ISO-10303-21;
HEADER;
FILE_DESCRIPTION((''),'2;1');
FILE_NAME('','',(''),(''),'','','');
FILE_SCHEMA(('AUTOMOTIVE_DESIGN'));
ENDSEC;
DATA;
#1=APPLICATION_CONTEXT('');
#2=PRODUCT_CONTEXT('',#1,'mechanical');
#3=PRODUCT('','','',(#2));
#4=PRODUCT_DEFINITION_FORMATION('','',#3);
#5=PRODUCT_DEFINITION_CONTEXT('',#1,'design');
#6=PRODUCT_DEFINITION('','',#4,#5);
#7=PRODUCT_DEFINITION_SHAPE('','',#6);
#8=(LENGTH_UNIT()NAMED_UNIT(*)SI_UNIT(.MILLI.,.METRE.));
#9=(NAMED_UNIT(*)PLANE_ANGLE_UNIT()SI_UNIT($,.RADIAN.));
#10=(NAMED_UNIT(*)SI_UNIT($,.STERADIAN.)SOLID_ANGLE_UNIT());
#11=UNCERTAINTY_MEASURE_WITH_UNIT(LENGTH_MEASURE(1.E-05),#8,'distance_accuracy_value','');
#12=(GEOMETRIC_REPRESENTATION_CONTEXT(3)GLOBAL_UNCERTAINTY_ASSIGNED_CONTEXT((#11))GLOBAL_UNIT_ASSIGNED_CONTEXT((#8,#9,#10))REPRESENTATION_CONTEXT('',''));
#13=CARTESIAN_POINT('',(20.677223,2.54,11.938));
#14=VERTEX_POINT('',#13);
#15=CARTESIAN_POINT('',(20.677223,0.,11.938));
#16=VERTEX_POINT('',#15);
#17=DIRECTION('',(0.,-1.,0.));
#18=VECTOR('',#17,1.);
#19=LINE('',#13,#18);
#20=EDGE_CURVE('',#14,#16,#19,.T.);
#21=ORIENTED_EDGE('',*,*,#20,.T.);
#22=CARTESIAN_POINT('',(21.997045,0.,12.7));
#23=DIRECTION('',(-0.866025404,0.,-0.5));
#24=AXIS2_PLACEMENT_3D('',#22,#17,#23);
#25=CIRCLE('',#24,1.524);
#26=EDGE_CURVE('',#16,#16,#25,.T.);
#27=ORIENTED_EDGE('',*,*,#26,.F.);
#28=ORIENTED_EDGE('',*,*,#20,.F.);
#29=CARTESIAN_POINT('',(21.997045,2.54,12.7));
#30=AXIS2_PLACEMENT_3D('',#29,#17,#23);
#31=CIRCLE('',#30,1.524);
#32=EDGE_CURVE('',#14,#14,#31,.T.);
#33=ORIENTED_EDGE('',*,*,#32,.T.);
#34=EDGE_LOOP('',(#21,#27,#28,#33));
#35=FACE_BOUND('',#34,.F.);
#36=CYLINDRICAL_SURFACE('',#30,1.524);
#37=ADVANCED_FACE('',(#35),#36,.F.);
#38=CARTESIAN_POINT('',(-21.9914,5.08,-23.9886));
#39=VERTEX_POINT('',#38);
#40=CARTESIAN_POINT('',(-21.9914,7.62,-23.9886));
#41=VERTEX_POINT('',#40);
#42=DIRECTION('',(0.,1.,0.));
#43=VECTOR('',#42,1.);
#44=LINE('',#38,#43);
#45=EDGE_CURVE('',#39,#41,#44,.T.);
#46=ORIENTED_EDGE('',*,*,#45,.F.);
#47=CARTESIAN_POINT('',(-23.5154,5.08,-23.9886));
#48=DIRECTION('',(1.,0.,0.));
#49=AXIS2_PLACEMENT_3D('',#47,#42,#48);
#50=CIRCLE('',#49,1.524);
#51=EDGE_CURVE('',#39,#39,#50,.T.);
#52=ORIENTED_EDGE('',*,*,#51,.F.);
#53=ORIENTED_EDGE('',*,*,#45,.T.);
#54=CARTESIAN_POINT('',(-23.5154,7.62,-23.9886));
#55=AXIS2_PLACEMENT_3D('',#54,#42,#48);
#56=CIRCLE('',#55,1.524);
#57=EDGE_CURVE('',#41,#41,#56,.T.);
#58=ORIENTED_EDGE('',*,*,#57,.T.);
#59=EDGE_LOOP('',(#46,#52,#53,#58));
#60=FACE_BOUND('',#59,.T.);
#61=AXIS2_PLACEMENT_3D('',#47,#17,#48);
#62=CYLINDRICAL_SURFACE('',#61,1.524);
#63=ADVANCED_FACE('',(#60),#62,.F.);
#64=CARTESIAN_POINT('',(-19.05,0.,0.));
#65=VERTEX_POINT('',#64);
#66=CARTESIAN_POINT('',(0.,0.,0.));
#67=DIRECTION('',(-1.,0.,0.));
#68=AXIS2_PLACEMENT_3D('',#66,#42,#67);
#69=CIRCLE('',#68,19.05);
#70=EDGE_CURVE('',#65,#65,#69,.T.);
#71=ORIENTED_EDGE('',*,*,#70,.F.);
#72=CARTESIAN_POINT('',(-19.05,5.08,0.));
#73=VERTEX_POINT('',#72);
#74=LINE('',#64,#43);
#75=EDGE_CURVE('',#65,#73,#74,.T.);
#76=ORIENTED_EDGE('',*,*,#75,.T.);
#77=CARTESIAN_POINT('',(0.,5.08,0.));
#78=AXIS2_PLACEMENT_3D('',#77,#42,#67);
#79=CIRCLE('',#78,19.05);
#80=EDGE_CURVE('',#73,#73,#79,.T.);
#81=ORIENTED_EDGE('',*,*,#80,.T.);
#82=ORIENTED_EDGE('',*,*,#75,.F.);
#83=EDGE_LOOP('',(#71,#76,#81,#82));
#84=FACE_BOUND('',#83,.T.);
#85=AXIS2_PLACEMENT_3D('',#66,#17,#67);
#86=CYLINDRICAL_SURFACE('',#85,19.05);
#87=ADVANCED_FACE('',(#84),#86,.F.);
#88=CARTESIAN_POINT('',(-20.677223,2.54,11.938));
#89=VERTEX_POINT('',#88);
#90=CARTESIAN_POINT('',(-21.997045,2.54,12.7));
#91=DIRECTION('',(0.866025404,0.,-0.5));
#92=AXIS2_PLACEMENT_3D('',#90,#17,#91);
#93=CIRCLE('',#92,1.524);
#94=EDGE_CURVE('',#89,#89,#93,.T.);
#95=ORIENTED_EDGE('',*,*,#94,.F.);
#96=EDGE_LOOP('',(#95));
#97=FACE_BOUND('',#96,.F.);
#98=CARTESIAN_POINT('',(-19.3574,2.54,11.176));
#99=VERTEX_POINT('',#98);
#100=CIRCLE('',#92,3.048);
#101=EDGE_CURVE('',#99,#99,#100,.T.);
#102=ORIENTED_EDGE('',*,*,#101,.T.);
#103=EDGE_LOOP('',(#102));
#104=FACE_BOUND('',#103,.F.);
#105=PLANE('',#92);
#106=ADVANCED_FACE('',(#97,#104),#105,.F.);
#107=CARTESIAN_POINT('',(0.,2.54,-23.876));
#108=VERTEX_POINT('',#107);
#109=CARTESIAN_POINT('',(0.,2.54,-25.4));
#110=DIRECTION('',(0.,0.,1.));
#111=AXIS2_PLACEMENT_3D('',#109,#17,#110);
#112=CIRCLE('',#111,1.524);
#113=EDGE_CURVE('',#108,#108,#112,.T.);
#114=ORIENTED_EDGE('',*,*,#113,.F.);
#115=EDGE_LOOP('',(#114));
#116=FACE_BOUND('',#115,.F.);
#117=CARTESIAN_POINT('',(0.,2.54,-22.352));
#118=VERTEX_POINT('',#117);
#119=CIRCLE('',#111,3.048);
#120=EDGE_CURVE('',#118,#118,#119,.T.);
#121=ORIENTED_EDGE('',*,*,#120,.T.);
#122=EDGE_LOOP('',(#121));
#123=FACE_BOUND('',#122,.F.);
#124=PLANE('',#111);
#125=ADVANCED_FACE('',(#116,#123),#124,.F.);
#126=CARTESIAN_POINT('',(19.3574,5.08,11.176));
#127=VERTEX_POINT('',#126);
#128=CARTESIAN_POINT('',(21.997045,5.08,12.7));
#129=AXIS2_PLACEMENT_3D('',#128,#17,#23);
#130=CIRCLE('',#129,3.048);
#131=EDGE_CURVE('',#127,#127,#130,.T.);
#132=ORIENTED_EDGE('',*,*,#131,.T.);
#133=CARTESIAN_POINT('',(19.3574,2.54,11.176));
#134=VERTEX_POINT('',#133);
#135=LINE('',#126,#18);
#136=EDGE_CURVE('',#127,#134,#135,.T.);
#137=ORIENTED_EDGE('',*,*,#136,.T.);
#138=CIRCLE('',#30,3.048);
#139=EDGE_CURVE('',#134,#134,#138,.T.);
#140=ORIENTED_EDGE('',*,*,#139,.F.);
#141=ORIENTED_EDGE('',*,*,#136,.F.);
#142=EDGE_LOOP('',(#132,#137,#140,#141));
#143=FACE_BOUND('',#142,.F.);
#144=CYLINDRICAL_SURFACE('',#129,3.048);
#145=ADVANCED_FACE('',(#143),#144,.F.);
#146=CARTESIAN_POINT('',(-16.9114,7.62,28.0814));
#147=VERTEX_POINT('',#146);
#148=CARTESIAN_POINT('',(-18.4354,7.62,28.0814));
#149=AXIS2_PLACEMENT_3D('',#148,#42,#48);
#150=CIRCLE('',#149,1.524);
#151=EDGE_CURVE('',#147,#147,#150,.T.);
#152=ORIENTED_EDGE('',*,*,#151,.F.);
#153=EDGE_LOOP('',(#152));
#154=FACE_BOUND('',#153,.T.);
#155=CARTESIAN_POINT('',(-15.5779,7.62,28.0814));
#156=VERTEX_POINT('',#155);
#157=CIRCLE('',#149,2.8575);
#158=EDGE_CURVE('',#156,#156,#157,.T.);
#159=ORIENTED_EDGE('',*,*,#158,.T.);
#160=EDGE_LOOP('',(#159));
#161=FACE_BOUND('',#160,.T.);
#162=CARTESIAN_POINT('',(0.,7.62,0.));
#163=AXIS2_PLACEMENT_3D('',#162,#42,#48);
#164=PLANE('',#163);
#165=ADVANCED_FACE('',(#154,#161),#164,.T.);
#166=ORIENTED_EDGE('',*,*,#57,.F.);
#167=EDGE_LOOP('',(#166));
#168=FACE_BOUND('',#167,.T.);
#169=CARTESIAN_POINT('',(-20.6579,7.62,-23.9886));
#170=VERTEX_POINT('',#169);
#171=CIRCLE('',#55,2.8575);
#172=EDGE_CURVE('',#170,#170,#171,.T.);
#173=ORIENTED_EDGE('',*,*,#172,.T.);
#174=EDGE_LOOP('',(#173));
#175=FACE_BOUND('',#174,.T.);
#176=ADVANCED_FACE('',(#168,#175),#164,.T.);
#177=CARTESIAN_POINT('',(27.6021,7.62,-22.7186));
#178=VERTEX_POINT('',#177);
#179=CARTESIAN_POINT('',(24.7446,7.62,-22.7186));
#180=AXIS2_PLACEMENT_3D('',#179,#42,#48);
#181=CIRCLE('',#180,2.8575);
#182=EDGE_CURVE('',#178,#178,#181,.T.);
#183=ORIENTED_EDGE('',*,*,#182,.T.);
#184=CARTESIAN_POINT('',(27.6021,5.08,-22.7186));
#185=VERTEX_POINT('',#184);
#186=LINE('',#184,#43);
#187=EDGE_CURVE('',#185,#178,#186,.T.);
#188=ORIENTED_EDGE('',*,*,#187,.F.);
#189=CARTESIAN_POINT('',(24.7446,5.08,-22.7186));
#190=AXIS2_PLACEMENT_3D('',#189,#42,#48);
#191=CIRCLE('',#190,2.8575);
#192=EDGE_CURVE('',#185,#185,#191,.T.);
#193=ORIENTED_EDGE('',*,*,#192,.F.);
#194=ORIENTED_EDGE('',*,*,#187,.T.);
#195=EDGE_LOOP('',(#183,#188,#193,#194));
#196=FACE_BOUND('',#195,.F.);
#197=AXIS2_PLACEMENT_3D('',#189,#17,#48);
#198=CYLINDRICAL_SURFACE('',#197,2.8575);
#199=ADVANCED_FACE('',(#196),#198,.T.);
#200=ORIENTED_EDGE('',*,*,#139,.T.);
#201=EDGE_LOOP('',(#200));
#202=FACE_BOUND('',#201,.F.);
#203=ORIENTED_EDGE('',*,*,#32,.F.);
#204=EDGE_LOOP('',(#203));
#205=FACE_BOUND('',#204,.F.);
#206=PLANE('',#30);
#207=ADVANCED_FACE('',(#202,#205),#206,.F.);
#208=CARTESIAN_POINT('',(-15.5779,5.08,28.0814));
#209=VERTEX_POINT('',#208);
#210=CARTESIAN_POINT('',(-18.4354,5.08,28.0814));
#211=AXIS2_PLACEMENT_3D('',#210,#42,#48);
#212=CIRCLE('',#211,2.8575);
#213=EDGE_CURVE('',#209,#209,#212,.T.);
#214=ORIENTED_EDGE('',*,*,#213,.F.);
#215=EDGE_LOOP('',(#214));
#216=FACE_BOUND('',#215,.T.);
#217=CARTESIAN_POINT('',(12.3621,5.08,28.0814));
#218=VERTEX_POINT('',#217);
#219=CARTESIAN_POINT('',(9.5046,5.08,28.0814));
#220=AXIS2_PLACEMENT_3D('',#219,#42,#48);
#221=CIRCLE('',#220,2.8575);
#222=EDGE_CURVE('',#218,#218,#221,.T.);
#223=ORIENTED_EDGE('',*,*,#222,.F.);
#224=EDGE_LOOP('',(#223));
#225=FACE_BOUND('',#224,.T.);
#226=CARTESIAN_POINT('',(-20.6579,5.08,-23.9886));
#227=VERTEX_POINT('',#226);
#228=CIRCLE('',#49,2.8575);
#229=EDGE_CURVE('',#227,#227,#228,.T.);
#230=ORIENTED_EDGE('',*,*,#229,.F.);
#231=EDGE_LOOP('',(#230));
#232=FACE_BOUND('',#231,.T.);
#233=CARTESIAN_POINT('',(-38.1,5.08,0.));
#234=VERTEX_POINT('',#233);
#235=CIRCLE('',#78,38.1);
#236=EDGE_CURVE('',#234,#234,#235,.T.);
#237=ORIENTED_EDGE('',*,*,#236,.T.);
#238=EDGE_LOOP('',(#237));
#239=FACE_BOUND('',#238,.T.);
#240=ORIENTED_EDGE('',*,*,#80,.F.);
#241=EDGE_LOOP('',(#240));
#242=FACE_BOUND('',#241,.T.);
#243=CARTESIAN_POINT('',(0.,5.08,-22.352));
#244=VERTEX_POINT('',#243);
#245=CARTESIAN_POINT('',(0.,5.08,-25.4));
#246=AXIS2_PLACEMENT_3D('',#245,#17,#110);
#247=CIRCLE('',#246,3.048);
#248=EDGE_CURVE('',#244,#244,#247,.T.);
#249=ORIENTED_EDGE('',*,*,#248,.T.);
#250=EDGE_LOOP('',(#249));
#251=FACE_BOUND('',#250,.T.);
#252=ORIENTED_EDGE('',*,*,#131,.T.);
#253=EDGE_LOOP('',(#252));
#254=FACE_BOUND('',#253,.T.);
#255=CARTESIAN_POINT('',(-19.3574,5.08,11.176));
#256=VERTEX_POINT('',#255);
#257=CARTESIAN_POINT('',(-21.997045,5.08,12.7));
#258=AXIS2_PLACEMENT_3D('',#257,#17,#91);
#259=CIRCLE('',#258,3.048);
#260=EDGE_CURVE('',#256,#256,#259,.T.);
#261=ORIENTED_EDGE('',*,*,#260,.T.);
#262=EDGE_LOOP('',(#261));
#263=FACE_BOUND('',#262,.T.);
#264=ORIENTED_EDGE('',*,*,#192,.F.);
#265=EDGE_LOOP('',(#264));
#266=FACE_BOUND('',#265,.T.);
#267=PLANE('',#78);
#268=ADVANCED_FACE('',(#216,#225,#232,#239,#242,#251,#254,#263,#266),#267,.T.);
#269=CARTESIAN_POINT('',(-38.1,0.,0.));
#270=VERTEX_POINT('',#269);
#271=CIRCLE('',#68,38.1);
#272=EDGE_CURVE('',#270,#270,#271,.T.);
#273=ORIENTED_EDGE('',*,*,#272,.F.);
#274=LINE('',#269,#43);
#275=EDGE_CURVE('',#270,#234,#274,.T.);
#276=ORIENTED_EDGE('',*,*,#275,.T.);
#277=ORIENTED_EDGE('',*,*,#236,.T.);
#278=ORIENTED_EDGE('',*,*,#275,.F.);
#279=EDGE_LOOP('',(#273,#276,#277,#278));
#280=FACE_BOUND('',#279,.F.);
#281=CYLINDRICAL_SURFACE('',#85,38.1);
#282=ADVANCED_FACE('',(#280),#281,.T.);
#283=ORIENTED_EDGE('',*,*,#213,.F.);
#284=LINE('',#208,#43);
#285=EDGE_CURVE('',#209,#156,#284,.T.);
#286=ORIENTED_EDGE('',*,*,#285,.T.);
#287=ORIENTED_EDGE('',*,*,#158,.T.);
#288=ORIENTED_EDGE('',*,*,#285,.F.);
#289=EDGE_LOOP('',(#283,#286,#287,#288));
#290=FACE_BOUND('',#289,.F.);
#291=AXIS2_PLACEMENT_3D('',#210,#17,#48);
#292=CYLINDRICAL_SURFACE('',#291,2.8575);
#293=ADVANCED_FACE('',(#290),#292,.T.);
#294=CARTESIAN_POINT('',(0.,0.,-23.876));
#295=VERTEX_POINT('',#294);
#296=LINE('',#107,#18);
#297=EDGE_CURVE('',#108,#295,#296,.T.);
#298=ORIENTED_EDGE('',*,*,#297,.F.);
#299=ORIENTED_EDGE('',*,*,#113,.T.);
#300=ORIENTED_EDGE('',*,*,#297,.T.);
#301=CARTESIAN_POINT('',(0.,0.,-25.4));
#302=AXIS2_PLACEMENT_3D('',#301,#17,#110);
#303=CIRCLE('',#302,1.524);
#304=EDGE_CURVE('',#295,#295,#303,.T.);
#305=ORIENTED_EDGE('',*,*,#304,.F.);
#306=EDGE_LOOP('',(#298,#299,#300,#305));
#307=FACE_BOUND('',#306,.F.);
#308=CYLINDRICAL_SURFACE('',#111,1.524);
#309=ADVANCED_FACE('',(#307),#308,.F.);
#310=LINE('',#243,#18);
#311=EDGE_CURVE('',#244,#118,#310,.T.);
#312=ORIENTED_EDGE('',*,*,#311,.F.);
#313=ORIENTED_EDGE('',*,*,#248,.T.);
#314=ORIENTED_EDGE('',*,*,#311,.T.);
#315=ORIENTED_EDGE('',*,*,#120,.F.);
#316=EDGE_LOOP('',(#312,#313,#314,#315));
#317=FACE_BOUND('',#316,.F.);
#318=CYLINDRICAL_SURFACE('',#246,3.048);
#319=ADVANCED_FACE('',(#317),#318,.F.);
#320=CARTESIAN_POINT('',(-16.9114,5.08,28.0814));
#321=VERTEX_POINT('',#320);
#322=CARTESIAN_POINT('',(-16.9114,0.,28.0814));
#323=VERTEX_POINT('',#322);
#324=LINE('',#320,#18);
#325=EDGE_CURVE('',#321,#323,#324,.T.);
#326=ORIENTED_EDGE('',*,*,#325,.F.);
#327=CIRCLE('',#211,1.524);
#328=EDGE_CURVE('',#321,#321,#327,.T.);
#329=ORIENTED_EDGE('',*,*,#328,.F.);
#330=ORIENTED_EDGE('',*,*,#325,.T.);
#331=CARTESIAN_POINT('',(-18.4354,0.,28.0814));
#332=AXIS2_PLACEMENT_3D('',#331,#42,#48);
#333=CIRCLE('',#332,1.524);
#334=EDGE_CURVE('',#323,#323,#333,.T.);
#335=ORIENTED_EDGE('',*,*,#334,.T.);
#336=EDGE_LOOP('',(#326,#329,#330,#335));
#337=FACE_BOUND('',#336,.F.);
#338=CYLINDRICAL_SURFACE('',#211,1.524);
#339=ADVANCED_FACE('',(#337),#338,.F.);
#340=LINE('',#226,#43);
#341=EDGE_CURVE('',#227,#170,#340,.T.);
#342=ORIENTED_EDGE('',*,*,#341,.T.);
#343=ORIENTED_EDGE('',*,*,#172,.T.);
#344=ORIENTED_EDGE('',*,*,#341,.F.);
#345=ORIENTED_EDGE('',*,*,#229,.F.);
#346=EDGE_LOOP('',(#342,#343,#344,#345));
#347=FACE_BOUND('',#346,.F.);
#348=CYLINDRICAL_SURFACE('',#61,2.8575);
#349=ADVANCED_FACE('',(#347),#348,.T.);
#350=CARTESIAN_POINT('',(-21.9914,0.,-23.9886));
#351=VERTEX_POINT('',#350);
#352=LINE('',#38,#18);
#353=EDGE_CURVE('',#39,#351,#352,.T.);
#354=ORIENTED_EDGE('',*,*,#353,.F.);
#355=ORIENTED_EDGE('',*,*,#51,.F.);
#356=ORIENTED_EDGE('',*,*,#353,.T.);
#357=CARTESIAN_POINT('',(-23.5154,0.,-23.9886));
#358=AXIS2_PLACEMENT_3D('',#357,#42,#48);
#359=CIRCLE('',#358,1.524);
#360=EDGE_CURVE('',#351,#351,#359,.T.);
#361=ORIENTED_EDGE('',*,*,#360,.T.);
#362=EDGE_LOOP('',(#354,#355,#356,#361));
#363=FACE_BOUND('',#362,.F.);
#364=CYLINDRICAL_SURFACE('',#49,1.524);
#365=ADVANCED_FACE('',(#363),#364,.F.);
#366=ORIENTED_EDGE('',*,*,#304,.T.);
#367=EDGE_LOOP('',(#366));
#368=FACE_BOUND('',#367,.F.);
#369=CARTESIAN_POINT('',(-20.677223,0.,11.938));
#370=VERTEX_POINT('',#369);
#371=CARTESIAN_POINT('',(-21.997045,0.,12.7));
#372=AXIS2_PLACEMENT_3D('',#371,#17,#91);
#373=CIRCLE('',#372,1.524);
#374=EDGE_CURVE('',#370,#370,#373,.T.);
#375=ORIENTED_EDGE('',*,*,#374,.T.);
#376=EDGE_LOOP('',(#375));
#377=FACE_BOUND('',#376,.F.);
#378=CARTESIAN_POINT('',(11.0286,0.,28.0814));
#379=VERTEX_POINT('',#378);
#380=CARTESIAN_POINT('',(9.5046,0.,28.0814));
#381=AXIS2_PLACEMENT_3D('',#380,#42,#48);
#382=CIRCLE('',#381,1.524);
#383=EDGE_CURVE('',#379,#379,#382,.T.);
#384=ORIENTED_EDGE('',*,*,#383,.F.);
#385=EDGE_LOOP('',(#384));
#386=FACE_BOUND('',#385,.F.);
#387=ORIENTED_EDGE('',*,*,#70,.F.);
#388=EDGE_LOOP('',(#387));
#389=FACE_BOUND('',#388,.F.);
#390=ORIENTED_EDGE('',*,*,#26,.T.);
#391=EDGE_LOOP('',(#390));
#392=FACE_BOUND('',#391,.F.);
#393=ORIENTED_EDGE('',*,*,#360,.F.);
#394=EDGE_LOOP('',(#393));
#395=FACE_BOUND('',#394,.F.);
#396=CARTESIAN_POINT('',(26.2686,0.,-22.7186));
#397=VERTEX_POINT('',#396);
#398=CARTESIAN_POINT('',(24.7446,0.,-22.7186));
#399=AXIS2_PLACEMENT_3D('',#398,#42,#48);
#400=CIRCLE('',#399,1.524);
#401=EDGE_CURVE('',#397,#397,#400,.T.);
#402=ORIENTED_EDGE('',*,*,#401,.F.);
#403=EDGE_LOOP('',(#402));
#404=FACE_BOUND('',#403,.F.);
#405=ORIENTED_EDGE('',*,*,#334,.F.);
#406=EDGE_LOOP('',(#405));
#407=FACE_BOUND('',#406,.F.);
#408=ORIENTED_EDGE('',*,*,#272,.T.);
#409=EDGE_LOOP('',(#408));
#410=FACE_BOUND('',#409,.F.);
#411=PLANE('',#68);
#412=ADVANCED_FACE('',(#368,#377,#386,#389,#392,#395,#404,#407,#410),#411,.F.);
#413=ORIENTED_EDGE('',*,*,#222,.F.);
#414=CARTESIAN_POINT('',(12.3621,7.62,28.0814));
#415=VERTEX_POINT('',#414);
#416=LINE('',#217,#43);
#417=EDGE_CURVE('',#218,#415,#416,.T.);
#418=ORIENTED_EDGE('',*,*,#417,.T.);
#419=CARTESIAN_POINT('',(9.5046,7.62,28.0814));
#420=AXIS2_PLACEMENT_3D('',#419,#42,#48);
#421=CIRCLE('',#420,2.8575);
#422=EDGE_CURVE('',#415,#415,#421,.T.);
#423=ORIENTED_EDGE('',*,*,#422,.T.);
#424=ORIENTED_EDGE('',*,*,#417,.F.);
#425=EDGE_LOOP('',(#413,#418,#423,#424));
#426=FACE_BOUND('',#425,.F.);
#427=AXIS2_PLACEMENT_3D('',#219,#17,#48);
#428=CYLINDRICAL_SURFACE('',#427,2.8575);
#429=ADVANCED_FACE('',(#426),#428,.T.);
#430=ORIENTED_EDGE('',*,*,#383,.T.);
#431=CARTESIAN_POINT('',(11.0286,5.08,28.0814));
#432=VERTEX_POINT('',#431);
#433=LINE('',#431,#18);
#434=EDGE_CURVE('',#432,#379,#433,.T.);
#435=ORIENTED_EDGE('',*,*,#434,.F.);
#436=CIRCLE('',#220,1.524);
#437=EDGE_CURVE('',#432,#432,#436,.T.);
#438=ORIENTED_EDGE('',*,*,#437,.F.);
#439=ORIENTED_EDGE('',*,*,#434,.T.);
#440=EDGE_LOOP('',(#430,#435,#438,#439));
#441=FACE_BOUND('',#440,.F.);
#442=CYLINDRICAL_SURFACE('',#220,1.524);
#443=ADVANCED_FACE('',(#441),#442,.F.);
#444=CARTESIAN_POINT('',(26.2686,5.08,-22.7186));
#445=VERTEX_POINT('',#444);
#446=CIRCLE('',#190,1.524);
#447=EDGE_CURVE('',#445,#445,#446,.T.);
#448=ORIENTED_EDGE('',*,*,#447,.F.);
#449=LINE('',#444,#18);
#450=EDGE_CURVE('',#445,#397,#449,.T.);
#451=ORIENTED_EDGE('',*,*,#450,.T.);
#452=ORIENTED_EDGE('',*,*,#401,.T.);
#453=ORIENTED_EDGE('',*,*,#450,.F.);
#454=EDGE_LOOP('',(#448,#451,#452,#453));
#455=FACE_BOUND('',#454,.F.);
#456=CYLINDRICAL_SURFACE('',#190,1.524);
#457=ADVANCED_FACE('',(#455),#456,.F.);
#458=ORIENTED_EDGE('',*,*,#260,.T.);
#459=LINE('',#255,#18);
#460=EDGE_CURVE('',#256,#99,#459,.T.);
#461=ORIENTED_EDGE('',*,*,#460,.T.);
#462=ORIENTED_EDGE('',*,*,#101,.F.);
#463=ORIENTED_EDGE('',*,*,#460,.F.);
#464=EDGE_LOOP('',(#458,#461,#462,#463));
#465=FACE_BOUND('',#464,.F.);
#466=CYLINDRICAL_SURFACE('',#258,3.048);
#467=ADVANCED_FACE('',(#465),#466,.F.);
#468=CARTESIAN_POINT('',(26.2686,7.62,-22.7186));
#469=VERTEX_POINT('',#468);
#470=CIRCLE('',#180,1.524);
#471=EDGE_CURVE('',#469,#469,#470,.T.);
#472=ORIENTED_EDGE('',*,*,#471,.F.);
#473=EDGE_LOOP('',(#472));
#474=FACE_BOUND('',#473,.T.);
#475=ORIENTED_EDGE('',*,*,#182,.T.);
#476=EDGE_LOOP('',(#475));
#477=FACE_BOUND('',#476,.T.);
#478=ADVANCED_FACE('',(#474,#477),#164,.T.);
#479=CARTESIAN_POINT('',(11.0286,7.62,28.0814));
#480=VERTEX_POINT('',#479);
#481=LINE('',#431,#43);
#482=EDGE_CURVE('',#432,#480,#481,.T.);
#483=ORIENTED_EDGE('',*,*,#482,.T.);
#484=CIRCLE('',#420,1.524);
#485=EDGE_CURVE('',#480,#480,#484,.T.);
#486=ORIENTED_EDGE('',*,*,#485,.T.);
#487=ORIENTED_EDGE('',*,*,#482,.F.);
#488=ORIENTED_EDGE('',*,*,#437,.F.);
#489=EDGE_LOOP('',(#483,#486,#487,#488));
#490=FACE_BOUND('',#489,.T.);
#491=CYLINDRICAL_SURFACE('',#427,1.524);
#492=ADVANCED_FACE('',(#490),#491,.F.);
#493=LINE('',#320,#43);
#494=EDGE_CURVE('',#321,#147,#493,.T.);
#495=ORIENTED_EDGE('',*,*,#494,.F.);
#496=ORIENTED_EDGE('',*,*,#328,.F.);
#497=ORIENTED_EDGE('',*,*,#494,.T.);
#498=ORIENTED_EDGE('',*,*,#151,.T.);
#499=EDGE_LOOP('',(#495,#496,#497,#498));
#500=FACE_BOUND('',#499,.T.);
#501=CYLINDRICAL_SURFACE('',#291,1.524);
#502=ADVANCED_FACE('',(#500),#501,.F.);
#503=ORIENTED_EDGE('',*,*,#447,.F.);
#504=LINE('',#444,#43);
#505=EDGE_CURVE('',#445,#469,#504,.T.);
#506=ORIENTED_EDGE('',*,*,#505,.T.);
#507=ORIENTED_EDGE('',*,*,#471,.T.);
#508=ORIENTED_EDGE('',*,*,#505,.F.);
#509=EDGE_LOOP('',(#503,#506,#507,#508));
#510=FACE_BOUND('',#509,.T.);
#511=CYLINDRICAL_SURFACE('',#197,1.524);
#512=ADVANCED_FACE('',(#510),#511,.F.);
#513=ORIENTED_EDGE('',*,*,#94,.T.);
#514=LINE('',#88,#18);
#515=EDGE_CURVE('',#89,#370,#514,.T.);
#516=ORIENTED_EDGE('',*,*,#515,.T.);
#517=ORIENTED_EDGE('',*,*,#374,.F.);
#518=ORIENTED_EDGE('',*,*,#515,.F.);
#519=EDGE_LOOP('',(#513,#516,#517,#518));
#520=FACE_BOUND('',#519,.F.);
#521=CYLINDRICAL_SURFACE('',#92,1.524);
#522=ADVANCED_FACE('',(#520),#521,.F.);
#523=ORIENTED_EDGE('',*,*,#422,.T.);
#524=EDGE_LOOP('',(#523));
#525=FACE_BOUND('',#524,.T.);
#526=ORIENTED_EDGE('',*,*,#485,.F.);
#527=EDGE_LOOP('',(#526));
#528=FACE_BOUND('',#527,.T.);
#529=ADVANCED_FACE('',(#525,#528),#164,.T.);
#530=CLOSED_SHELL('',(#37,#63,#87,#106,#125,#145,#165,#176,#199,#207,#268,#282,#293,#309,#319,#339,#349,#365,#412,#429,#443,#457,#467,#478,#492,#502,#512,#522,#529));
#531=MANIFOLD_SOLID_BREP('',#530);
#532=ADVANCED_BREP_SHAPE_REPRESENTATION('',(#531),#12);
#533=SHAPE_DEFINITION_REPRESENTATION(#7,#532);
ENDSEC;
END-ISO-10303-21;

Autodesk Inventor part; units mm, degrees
ref_plane "YZ Plane" through (0, 0, 0) normal (1, 0, 0) x (0, 1, 0)
ref_plane "XZ Plane" through (0, 0, 0) normal (0, 1, 0) x (-1, 0, 0)
ref_plane "XY Plane" through (0, 0, 0) normal (0, 0, 1) x (1, 0, 0)
sketch "Sketch1" plane through (0, 0, 0) normal (0, 1, 0) x (-1, 0, 0)
  circle A0 centre (0, 0) radius 38.1
  circle A1 centre (0, 0) radius 19.05
  circle A2 centre (0, 0) radius 25.4 construction
  dimension "d0" = 50.8
  dimension "d1" = 6.35
  dimension "d5" = 76.2
extrude "Extrusion1" add sketch "Sketch1" along normal blind 5.08
sketch "Sketch2" plane through (0, 5.08, 0) normal (0, 1, 0) x (1, 0, 0)
  circle A0 centre (0, 0) radius 19.05 projected
  point P0 (0, 25.4)
  dimension "d6" = 25.4
hole "Hole1" at (0, 5.08, -25.4) direction (0, -1, 0) diameter 3.048 end through all counterbore diameter 6.096 counterbore depth 2.54
pattern_circular "Circular Pattern1" count 3 over 360 about axis through (0, 0, 0) along (0, 1, 0) of "Hole1"
sketch "Sketch4" plane through (0, 5.08, 0) normal (0, 1, 0) x (1, 0, 0)
  circle A0 centre (0, 0) radius 19.05 projected
  circle A1 centre (24.7446, 22.7186) radius 1.524
  circle A2 centre (-23.5154, 23.9886) radius 1.524
  circle A3 centre (-18.4354, -28.0814) radius 1.524
  circle A4 centre (9.5046, -28.0814) radius 1.524
  dimension "d17" = 3.048
  dimension "d18" = 27.94
  dimension "d19" = 15.24
  dimension "d20" = 5.08
  dimension "d21" = 50.8
  dimension "d22" = 1.27
  dimension "d23" = 33.5921
  dimension "d24" = 33.5921
  dimension "d25" = 33.5921
extrude "Extrusion2" cut sketch "Sketch4" against normal through all contours A1 | A2 | A3 | A4
sketch "Sketch5" plane through (0, 5.08, 0) normal (0, 1, 0) x (1, 0, 0)
  circle A0 centre (-18.4354, -28.0814) radius 1.524 projected
  circle A1 centre (24.7446, 22.7186) radius 1.524 projected
  circle A2 centre (-23.5154, 23.9886) radius 1.524 projected
  circle A3 centre (9.5046, -28.0814) radius 1.524 projected
  circle A4 centre (-23.5154, 23.9886) radius 2.8575
  circle A5 centre (24.7446, 22.7186) radius 2.8575
  circle A6 centre (9.5046, -28.0814) radius 2.8575
  circle A7 centre (-18.4354, -28.0814) radius 2.8575
  dimension "d28" = 5.715
extrude "Extrusion3" add sketch "Sketch5" along normal blind 2.54
equation "\"d23\" = d25"
equation "\"d24\" = d25"
properties part number "Arduino Mount"
